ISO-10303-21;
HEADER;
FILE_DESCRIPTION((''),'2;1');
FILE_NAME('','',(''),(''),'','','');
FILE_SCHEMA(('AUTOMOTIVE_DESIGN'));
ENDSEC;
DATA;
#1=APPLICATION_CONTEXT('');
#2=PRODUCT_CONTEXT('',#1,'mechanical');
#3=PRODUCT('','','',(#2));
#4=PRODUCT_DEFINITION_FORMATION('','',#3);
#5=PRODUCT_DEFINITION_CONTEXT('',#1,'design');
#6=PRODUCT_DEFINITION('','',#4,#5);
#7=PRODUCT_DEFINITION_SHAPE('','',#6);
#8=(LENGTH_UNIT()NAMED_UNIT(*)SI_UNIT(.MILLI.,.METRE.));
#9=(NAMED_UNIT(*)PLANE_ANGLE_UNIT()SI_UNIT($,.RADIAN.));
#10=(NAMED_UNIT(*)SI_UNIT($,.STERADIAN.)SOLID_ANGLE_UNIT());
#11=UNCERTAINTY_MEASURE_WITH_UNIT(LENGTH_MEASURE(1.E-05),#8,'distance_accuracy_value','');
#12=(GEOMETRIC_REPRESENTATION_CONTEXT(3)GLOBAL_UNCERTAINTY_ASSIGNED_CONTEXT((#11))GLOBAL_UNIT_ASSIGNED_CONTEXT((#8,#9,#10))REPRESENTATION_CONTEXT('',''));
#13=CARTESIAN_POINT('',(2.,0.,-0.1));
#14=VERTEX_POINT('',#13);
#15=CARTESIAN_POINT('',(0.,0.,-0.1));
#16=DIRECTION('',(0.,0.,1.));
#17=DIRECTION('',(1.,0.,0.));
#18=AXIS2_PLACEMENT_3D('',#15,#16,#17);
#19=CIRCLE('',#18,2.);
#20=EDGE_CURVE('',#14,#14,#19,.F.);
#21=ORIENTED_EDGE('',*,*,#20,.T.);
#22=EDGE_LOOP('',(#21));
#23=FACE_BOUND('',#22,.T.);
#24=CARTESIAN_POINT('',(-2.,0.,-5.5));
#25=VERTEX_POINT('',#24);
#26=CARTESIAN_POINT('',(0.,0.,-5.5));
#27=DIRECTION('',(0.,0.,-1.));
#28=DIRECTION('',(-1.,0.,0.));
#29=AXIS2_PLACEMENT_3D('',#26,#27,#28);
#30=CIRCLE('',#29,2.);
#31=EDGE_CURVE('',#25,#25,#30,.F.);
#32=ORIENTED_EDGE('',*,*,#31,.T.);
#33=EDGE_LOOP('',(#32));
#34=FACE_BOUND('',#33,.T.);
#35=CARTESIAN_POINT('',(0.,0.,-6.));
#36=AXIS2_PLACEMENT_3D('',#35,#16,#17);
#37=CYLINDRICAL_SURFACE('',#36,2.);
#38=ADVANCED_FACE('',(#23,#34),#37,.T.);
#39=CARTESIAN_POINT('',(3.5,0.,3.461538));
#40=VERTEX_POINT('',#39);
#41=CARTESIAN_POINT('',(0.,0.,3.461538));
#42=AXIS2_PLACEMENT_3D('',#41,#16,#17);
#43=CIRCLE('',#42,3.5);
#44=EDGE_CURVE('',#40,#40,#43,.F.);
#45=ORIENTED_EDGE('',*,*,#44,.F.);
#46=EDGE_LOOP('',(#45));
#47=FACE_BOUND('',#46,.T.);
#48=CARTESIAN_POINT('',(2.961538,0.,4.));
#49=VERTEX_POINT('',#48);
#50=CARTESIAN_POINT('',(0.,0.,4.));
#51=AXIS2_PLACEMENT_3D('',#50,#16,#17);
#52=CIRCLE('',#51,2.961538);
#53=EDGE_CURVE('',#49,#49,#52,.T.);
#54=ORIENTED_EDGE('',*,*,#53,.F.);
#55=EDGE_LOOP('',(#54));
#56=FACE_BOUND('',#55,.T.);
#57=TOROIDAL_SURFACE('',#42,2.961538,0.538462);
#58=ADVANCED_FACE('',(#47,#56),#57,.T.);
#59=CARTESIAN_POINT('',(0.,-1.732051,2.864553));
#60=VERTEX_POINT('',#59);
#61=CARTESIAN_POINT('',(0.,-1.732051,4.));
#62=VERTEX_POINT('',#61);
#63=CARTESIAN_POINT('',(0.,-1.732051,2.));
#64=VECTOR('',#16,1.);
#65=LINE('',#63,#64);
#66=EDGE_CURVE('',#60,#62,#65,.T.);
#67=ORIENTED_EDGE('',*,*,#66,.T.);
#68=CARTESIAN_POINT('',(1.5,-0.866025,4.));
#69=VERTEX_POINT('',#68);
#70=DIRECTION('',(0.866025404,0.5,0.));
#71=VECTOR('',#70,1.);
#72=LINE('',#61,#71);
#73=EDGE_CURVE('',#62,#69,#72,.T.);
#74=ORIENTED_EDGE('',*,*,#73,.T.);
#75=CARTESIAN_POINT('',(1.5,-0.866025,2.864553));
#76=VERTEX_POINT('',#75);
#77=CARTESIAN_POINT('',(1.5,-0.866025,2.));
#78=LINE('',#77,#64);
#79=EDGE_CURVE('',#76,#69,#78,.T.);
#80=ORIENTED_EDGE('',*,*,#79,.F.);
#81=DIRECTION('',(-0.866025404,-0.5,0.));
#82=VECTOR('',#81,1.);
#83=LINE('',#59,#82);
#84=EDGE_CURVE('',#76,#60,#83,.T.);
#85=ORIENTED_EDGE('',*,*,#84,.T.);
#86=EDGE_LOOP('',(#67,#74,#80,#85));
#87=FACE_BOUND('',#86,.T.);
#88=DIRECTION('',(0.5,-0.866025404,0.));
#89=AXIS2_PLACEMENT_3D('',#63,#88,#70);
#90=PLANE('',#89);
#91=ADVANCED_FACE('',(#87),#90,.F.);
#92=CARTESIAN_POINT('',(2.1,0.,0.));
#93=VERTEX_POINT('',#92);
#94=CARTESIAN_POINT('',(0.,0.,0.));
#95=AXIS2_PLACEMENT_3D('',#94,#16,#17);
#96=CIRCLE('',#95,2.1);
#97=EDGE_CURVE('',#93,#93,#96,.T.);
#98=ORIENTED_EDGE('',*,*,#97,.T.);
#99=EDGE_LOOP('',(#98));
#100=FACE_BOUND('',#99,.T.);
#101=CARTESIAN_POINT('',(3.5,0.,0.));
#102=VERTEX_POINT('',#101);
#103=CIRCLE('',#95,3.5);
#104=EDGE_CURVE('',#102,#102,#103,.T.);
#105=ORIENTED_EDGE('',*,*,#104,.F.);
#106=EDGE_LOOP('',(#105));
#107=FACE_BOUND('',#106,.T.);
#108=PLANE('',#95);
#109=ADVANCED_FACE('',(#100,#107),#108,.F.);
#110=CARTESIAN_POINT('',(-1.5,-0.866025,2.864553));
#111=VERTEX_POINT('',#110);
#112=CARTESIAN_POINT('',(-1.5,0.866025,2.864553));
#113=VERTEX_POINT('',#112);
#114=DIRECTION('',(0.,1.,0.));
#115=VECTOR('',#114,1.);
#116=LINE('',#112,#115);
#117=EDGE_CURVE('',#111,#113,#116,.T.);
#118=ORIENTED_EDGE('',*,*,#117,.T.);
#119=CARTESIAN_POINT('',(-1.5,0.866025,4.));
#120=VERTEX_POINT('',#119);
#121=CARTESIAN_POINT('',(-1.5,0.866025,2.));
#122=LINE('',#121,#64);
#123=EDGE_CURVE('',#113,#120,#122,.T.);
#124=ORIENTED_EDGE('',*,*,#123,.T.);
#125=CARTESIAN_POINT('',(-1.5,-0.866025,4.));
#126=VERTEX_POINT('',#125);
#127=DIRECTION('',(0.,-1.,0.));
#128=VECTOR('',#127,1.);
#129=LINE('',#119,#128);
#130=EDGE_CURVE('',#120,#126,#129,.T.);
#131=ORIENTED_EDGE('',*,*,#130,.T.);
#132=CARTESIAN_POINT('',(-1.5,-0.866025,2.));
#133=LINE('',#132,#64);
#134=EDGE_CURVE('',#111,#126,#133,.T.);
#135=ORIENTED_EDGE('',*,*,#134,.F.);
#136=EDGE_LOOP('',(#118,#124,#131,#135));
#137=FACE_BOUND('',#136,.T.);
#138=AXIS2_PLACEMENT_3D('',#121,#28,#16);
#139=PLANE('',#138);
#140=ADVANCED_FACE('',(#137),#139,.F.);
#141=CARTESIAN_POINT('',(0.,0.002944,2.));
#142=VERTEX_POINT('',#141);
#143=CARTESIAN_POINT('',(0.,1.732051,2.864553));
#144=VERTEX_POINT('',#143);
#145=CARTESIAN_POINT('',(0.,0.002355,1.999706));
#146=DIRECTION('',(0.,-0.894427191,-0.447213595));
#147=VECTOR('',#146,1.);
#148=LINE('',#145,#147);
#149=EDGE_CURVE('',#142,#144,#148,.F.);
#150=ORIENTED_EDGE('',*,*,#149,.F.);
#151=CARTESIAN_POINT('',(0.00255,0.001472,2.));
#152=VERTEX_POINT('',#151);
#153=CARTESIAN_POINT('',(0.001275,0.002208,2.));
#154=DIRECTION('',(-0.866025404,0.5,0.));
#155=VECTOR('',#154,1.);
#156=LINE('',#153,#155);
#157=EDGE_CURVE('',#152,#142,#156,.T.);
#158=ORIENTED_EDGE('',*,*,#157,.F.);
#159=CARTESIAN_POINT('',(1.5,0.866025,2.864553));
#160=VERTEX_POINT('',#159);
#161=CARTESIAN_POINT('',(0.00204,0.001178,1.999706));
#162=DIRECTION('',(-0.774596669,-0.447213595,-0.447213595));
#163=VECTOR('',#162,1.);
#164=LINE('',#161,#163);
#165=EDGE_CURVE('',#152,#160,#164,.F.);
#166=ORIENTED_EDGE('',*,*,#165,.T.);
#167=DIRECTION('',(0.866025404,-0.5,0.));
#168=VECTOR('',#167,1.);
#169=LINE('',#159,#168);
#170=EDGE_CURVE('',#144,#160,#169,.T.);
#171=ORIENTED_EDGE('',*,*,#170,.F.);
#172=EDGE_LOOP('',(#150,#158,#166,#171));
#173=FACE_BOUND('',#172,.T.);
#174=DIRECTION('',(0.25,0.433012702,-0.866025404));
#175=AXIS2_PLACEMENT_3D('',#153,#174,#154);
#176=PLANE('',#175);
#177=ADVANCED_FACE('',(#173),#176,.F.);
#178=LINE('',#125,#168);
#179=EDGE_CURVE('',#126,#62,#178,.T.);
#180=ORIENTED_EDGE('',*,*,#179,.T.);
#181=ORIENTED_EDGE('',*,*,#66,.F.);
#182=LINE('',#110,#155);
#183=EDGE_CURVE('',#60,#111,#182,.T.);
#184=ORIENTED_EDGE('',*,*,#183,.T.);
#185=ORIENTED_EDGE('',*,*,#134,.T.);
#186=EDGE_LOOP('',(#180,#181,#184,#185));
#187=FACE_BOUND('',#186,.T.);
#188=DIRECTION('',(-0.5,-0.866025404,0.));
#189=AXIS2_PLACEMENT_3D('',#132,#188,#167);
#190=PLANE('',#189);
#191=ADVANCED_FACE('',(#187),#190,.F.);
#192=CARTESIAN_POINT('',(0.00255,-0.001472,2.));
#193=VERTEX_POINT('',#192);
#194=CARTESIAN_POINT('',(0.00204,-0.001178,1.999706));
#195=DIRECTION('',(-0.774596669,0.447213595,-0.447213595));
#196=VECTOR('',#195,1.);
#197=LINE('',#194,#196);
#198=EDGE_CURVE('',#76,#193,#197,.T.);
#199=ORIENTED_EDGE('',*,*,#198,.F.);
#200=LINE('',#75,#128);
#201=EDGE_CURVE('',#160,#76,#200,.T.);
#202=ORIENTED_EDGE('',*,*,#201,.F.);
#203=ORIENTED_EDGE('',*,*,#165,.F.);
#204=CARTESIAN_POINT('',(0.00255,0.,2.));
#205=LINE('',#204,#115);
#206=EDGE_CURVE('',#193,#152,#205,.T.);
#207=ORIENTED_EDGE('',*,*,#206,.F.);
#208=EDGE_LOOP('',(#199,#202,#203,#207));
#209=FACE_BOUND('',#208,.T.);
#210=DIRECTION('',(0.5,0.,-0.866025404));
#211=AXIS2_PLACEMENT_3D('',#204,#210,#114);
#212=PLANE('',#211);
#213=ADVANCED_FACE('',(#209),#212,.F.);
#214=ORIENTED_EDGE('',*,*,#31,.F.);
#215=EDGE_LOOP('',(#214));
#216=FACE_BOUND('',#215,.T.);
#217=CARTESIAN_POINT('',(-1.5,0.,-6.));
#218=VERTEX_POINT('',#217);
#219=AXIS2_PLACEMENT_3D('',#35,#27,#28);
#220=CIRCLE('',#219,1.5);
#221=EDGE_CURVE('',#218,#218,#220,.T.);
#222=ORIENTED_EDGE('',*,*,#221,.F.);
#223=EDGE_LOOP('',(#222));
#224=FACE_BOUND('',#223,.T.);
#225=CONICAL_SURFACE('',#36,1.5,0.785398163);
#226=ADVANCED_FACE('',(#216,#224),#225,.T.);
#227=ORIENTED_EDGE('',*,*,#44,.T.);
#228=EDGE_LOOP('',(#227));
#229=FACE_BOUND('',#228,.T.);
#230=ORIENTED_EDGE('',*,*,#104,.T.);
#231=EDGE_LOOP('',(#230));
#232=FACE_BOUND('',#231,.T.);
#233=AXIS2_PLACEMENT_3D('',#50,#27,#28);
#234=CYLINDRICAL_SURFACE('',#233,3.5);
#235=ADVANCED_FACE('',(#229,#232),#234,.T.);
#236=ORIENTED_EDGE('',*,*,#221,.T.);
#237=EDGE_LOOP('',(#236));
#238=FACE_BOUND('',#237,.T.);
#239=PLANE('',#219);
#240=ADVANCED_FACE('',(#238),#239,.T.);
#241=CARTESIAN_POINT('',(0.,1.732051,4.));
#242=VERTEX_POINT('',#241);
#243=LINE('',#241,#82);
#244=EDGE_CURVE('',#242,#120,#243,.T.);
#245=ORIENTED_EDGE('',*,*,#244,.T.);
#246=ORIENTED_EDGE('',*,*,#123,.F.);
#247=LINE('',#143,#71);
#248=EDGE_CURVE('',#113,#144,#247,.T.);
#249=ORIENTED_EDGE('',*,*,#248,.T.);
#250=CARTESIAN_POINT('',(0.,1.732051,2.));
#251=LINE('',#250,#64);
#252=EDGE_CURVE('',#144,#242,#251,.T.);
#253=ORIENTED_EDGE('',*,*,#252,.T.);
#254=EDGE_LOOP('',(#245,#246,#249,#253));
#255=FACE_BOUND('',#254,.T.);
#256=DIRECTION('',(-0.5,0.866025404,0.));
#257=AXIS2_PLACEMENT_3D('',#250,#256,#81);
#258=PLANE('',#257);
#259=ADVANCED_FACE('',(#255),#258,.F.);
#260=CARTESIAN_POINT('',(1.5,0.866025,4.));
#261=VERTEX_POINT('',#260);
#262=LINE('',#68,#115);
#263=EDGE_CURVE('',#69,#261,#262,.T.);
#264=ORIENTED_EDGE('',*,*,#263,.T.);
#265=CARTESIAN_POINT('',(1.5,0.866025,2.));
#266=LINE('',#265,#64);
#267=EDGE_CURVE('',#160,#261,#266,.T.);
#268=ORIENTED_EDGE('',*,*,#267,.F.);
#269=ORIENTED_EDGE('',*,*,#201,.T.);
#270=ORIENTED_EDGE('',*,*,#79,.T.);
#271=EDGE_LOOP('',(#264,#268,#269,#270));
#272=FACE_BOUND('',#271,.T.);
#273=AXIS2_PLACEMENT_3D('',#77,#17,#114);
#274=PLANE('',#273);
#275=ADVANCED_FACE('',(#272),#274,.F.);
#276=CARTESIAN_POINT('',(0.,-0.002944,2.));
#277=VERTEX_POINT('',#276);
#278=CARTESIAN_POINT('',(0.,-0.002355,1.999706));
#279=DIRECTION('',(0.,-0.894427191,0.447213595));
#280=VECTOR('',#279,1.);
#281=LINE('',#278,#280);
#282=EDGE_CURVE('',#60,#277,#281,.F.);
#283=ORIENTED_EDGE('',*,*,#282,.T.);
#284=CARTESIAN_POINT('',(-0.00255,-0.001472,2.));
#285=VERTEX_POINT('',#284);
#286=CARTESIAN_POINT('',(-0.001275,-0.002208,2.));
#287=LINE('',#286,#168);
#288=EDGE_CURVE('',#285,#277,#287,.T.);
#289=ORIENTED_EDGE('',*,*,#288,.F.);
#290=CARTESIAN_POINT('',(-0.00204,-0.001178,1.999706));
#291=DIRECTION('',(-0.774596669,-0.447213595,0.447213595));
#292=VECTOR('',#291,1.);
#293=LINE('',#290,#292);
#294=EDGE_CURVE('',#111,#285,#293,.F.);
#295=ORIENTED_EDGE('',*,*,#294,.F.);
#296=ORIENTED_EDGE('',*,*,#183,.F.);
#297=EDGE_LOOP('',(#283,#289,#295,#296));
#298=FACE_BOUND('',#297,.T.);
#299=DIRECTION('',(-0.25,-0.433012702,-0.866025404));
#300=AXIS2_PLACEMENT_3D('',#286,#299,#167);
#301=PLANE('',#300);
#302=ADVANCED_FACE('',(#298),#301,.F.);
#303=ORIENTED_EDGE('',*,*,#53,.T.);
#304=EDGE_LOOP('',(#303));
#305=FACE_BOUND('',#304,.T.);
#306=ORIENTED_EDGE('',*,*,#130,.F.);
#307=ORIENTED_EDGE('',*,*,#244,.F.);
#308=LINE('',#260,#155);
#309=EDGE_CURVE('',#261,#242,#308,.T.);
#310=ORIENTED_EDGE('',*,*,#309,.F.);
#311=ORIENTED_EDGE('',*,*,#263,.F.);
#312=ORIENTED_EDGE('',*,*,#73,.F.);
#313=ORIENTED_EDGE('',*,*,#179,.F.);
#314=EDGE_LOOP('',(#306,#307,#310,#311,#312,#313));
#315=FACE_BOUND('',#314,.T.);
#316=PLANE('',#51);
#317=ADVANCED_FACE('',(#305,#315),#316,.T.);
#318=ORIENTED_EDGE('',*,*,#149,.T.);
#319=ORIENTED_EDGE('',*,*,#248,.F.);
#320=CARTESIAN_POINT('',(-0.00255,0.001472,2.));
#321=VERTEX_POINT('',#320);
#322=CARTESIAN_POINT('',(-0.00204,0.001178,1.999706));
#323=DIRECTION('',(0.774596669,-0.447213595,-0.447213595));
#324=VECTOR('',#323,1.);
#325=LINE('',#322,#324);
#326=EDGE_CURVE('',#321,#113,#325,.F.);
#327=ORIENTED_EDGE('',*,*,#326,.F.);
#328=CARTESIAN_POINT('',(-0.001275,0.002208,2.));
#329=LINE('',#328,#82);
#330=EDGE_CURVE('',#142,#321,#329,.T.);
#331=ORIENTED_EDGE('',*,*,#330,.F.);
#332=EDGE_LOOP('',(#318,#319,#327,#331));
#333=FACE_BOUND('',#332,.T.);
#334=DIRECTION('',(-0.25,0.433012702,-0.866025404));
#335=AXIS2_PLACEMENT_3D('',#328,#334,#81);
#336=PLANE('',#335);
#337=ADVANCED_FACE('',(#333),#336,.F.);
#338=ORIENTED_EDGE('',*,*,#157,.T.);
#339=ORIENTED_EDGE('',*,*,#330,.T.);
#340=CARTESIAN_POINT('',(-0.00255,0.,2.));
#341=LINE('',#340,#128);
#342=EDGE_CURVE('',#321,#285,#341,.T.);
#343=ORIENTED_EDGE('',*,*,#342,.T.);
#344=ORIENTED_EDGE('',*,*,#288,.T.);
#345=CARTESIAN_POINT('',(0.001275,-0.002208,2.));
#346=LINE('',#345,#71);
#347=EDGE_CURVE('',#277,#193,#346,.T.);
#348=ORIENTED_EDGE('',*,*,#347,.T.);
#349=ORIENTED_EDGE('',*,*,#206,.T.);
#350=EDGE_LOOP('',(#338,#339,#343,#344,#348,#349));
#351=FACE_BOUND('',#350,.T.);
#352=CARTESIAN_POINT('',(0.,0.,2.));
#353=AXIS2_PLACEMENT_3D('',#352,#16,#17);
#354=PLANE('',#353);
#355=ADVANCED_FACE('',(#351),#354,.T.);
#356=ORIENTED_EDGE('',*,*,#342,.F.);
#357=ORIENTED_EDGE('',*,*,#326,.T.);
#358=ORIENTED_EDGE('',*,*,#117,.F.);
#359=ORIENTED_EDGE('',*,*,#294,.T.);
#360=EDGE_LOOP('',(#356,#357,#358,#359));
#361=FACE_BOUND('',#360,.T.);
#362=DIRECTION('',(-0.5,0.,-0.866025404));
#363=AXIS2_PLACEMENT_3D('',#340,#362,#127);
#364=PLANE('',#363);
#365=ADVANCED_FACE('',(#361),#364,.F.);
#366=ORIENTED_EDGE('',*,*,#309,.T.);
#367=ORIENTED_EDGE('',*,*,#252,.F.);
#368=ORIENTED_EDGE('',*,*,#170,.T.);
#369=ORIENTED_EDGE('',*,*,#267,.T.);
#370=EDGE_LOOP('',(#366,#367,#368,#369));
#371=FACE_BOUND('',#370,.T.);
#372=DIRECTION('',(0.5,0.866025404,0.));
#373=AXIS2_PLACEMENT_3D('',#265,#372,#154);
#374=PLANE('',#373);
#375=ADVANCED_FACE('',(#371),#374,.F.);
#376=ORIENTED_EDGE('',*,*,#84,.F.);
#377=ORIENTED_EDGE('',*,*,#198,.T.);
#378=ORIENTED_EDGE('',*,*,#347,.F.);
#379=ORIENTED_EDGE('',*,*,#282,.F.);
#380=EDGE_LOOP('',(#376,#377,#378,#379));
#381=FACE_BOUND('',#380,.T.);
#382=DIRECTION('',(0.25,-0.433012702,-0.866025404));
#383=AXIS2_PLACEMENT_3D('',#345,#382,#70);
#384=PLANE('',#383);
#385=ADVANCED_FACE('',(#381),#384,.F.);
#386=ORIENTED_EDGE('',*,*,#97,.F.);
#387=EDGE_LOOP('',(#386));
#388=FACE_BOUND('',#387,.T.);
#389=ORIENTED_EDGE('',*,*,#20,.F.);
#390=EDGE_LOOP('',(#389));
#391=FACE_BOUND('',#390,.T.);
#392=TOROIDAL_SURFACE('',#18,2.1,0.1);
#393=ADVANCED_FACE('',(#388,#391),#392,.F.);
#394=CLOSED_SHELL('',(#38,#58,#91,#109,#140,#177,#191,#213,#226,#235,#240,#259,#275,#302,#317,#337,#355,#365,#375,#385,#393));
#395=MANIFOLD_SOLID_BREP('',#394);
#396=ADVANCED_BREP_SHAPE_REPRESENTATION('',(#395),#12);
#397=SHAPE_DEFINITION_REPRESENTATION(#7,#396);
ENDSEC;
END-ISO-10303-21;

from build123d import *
from OCP.BRepFilletAPI import BRepFilletAPI_MakeChamfer

# Parameters (mm, degrees)
SKETCH_1_R          = 3.5
EXTRUDE_1_DEPTH     = 4
CUT_EXTRUDE_1_DEPTH = 2
SKETCH_3_R          = 2
EXTRUDE_2_DEPTH     = 6
CHAMFER_1_SIZE      = 0.5
FILLET_1_R          = 0.538461538
CHAMFER_2_SIZE      = 0.864553314
CHAMFER_2_SIZE2     = 1.497450266
FILLET_2_R          = 0.1


with BuildPart() as part:
    # 草图1 → 凸台-拉伸1 (new body)
    with BuildSketch(Plane.XY):
        Circle(SKETCH_1_R)
    extrude(amount=EXTRUDE_1_DEPTH)

    # 草图2 → 切除-拉伸1 (cut)
    with BuildSketch(Plane.XY.offset(4)):
        Polygon((1.5, 0.866025404), (0, 1.732050808), (-1.5, 0.866025404), (-1.5, -0.866025404), (0, -1.732050808), (1.5, -0.866025404), align=None)
    extrude(amount=-CUT_EXTRUDE_1_DEPTH, mode=Mode.SUBTRACT)

    # 草图3 → 凸台-拉伸2 (add)
    with BuildSketch(Plane(origin=(0, 0, 0), x_dir=(-1, 0, 0), z_dir=(0, 0, -1))):
        Circle(SKETCH_3_R)
    extrude(amount=EXTRUDE_2_DEPTH)

    # 倒角1
    chamfer_1_edges = [part.edges().sort_by_distance(p)[0] for p in [
        (2, 0, -6),
    ]]
    chamfer(chamfer_1_edges, length=CHAMFER_1_SIZE)

    # 圆角1
    fillet_1_edges = [part.edges().sort_by_distance(p)[0] for p in [
        (-3.5, 0, 4),
    ]]
    fillet(fillet_1_edges, radius=FILLET_1_R)

    # 倒角2: one chamfer whose edges measure the first distance from different faces: ONE call of the kernel's chamfer builder (chamfer() names one face for all edges)
    chamfer_2_edges_1 = [part.edges().sort_by_distance(p)[0] for p in [
        (-1.5, 0, 2),
    ]]
    chamfer_2_side_1 = [part.faces().sort_by_distance(p)[0] for p in [
        (-1.5, 0, 3),
    ]]
    chamfer_2_edges_2 = [part.edges().sort_by_distance(p)[0] for p in [
        (-0.75, 1.299038106, 2),
    ]]
    chamfer_2_side_2 = [part.faces().sort_by_distance(p)[0] for p in [
        (-0.75, 1.299038106, 3),
    ]]
    chamfer_2_edges_3 = [part.edges().sort_by_distance(p)[0] for p in [
        (0.75, 1.299038106, 2),
    ]]
    chamfer_2_side_3 = [part.faces().sort_by_distance(p)[0] for p in [
        (0.75, 1.299038106, 3),
    ]]
    chamfer_2_edges_4 = [part.edges().sort_by_distance(p)[0] for p in [
        (1.5, 0, 2),
    ]]
    chamfer_2_side_4 = [part.faces().sort_by_distance(p)[0] for p in [
        (1.5, 0, 3),
    ]]
    chamfer_2_edges_5 = [part.edges().sort_by_distance(p)[0] for p in [
        (-0.75, -1.299038106, 2),
    ]]
    chamfer_2_side_5 = [part.faces().sort_by_distance(p)[0] for p in [
        (-0.75, -1.299038106, 3),
    ]]
    chamfer_2_edges_6 = [part.edges().sort_by_distance(p)[0] for p in [
        (0.75, -1.299038106, 2),
    ]]
    chamfer_2_side_6 = [part.faces().sort_by_distance(p)[0] for p in [
        (0.75, -1.299038106, 3),
    ]]
    chamfer_2 = BRepFilletAPI_MakeChamfer(part.part.solid().wrapped)
    for e in chamfer_2_edges_1:
        chamfer_2.Add(CHAMFER_2_SIZE, CHAMFER_2_SIZE2, e.wrapped, chamfer_2_side_1[0].wrapped)  # the first distance lies on this face
    for e in chamfer_2_edges_2:
        chamfer_2.Add(CHAMFER_2_SIZE, CHAMFER_2_SIZE2, e.wrapped, chamfer_2_side_2[0].wrapped)  # the first distance lies on this face
    for e in chamfer_2_edges_3:
        chamfer_2.Add(CHAMFER_2_SIZE, CHAMFER_2_SIZE2, e.wrapped, chamfer_2_side_3[0].wrapped)  # the first distance lies on this face
    for e in chamfer_2_edges_4:
        chamfer_2.Add(CHAMFER_2_SIZE, CHAMFER_2_SIZE2, e.wrapped, chamfer_2_side_4[0].wrapped)  # the first distance lies on this face
    for e in chamfer_2_edges_5:
        chamfer_2.Add(CHAMFER_2_SIZE, CHAMFER_2_SIZE2, e.wrapped, chamfer_2_side_5[0].wrapped)  # the first distance lies on this face
    for e in chamfer_2_edges_6:
        chamfer_2.Add(CHAMFER_2_SIZE, CHAMFER_2_SIZE2, e.wrapped, chamfer_2_side_6[0].wrapped)  # the first distance lies on this face
    add(Compound.cast(chamfer_2.Shape()), mode=Mode.REPLACE)

    # 圆角2
    fillet_2_edges = [part.edges().sort_by_distance(p)[0] for p in [
        (2, 0, 0),
    ]]
    fillet(fillet_2_edges, radius=FILLET_2_R)


solid = part.part
